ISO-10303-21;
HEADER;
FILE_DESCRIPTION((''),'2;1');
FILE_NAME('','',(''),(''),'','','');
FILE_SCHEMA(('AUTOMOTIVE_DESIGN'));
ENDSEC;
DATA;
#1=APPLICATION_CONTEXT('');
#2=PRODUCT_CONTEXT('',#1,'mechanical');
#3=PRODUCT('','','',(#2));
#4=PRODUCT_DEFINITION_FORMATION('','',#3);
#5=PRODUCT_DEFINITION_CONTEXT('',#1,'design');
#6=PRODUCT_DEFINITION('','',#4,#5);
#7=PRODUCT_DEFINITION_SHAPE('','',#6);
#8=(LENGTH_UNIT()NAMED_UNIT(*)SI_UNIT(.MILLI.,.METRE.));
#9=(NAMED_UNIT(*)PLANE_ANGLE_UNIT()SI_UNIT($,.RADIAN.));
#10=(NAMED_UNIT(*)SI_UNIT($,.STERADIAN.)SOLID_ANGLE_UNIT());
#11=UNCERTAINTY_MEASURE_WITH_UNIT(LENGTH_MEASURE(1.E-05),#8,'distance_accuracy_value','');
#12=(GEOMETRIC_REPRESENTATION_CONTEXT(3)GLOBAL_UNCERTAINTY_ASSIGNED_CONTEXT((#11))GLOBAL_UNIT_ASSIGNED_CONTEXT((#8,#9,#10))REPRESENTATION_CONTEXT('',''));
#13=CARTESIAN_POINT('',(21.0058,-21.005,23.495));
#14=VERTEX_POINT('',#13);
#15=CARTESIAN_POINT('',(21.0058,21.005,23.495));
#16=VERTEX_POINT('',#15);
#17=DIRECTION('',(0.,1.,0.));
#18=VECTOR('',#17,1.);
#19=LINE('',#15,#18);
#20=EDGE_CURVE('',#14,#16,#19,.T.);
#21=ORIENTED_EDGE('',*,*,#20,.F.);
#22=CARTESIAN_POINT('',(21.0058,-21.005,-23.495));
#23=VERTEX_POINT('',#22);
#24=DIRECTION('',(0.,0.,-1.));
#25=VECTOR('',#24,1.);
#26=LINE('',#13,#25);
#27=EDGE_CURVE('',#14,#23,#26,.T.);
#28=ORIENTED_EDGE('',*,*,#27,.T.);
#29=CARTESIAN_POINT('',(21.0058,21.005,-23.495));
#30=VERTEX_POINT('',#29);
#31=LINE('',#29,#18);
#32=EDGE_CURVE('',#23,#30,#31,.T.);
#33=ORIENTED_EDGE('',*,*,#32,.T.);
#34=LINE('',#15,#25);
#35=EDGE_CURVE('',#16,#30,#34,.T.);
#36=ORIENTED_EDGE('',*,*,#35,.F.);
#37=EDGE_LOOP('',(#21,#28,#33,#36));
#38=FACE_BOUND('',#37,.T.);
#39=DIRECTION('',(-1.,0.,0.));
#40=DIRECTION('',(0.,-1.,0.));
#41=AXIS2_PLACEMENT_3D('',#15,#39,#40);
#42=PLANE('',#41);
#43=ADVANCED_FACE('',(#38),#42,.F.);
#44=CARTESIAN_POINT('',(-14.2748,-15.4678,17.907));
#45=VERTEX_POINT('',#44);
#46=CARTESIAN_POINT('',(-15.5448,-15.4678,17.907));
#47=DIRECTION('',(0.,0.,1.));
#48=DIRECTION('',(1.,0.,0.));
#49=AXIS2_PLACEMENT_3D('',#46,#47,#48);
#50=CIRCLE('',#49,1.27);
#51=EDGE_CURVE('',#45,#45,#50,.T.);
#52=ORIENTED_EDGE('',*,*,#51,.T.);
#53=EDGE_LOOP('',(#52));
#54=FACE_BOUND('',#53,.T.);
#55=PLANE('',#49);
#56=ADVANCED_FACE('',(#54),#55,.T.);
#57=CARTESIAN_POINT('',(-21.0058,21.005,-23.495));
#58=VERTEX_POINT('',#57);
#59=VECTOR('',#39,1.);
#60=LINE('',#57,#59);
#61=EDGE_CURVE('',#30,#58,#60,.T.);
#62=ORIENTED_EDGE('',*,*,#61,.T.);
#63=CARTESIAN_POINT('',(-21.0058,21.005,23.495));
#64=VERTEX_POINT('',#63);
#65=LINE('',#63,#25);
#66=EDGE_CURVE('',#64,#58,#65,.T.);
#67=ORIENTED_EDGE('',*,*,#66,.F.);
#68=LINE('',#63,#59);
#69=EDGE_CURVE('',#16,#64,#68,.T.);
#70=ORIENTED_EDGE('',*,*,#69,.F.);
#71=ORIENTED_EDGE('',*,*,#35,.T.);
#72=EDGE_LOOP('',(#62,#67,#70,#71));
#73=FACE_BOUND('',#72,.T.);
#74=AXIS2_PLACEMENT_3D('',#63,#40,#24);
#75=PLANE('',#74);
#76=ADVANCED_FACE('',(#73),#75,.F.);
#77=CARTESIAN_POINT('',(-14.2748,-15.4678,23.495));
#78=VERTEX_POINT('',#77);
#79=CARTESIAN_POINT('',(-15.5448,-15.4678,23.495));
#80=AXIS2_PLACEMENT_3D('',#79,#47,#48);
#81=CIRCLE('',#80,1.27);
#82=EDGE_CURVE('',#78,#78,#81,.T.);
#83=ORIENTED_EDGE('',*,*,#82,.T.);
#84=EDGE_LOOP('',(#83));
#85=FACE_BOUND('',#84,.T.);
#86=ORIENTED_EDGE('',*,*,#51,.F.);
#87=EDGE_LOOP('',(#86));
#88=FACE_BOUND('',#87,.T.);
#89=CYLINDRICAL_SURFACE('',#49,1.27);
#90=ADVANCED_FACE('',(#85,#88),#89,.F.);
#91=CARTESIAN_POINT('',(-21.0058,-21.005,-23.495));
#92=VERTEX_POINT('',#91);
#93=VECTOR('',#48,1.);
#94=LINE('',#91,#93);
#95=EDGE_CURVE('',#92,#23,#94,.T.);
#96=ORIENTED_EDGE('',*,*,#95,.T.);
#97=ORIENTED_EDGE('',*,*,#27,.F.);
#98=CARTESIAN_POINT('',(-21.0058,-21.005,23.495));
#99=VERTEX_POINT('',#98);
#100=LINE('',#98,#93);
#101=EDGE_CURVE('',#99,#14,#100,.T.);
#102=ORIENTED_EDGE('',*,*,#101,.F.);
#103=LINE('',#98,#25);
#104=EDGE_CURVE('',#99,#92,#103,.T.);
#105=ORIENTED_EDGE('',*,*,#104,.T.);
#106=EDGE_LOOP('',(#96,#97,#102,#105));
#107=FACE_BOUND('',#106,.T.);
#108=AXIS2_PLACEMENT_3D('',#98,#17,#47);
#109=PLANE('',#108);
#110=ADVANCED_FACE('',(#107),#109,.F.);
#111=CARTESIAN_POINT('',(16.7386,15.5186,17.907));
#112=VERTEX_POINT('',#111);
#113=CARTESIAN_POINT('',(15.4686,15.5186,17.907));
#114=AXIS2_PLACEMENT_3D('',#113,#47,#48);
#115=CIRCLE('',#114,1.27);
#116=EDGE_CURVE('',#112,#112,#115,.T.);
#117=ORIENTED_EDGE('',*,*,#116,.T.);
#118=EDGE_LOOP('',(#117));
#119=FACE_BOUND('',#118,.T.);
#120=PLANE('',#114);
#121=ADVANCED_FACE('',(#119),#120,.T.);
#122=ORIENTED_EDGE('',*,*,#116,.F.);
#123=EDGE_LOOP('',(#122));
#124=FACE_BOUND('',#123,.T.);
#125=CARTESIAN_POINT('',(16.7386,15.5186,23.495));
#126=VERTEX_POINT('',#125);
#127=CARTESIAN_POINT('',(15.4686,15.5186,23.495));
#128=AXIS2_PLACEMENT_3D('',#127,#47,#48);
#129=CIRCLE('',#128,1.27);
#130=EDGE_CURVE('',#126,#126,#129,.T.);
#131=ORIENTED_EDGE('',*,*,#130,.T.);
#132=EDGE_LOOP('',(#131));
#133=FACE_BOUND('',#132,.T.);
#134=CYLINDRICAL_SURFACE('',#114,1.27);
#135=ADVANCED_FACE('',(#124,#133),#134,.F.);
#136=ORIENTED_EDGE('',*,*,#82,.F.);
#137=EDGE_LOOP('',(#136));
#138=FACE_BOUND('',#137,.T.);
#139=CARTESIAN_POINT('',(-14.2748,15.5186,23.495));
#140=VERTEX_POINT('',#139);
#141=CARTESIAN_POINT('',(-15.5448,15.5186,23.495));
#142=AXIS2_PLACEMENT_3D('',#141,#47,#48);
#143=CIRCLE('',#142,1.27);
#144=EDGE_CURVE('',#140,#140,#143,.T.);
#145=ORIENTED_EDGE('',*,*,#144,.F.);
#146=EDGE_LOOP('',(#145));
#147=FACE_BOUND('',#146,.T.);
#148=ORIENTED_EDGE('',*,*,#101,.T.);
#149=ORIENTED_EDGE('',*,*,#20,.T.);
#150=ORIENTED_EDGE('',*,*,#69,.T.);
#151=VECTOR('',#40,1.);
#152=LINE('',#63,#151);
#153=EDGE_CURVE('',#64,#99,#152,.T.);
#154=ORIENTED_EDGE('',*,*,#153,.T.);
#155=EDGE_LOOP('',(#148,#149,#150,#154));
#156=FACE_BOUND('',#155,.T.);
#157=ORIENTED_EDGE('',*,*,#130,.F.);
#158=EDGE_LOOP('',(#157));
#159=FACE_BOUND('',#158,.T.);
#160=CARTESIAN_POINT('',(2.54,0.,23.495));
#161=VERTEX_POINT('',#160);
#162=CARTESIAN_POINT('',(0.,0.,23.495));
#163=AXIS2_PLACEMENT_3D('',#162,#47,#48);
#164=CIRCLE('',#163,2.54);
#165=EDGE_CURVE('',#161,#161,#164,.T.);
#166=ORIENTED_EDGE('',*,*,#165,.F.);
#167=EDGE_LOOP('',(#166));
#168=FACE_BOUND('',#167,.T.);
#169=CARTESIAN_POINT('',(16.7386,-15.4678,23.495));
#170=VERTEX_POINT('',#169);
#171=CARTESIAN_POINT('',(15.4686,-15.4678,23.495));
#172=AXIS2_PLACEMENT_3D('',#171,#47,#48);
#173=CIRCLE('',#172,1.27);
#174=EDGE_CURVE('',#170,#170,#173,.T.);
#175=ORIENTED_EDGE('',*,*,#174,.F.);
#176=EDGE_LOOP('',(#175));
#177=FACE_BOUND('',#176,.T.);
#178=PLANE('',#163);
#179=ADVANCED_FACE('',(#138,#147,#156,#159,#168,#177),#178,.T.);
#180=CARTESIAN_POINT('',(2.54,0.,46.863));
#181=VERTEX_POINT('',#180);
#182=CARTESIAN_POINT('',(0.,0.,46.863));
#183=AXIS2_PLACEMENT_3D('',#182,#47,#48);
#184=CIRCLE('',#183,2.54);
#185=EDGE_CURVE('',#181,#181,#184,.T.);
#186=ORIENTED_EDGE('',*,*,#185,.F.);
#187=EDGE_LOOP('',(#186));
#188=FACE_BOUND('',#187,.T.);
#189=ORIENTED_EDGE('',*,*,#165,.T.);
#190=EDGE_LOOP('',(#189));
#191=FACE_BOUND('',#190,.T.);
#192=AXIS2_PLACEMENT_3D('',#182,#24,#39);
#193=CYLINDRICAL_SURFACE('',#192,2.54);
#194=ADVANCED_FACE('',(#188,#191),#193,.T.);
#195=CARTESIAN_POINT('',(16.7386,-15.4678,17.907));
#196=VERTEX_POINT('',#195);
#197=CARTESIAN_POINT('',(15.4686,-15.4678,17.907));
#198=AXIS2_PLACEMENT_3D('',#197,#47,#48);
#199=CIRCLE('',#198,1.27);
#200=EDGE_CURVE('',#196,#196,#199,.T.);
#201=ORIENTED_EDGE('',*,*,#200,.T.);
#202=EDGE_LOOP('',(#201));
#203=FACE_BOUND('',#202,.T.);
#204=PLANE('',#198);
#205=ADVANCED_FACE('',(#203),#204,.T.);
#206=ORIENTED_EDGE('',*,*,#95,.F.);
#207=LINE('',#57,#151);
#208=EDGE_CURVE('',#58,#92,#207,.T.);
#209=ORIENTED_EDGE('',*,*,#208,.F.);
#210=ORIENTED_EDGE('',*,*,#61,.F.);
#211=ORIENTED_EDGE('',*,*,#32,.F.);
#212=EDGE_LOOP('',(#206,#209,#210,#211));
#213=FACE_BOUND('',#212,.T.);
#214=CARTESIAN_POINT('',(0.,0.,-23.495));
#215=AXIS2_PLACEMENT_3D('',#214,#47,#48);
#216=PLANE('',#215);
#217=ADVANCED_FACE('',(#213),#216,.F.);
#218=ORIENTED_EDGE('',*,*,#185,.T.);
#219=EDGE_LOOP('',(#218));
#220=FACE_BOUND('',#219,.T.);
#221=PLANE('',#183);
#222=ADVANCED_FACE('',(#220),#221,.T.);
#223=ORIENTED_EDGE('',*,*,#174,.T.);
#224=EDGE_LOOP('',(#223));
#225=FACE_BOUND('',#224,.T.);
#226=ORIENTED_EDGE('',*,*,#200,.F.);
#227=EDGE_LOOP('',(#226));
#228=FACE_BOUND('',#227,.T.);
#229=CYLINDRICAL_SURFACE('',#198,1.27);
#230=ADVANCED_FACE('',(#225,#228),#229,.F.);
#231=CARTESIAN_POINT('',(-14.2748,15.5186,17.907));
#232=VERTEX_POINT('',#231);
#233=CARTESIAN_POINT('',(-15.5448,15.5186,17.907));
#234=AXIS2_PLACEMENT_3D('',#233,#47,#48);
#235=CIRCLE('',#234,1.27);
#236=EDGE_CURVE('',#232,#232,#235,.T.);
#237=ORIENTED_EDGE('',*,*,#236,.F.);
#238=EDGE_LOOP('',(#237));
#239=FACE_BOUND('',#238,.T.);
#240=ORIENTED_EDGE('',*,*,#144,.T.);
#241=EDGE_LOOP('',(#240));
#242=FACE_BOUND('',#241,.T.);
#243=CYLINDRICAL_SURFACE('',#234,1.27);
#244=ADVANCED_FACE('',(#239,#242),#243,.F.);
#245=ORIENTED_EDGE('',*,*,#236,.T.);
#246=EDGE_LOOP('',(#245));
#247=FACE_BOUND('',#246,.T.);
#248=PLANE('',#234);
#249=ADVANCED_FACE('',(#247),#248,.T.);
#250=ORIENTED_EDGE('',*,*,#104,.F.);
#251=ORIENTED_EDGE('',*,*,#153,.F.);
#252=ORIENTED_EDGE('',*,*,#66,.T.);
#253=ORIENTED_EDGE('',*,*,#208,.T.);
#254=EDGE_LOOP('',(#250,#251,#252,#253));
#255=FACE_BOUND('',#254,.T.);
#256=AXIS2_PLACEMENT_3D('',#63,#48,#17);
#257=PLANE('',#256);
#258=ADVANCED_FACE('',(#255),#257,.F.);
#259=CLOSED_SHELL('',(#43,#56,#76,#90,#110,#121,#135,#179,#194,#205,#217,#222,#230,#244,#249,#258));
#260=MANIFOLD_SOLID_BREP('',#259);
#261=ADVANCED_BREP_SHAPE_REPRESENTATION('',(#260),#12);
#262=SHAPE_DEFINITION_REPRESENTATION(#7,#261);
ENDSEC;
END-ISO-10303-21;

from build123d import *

# Parameters (mm, degrees)
SKETCH1_W           = 42.0116
SKETCH1_H           = 42.01
BOSS_EXTRUDE1_DEPTH = 23.495
SKETCH2_R           = 2.54
BOSS_EXTRUDE2_DEPTH = 23.368
SKETCH3_R           = 1.27
CUT_EXTRUDE1_DEPTH  = 5.588


with BuildPart() as part:
    # Sketch1 → Boss-Extrude1 (new, symmetric)
    with BuildSketch(Plane.XY):
        Rectangle(SKETCH1_W, SKETCH1_H)
    extrude(amount=BOSS_EXTRUDE1_DEPTH, both=True)

    # Sketch2 → Boss-Extrude2 (add)
    with BuildSketch(Plane.XY.offset(23.495)):
        Circle(SKETCH2_R)
    extrude(amount=BOSS_EXTRUDE2_DEPTH)

    # Sketch3 → Cut-Extrude1 (cut)
    with BuildSketch(Plane.XY.offset(23.495)):
        with Locations((15.4686, -15.4678)):
            Circle(SKETCH3_R)
        with Locations((-15.5448, 15.5186)):
            Circle(SKETCH3_R)
        with Locations((15.4686, 15.5186)):
            Circle(SKETCH3_R)
        with Locations((-15.5448, -15.4678)):
            Circle(SKETCH3_R)
    extrude(amount=-CUT_EXTRUDE1_DEPTH, mode=Mode.SUBTRACT)


solid = part.part
